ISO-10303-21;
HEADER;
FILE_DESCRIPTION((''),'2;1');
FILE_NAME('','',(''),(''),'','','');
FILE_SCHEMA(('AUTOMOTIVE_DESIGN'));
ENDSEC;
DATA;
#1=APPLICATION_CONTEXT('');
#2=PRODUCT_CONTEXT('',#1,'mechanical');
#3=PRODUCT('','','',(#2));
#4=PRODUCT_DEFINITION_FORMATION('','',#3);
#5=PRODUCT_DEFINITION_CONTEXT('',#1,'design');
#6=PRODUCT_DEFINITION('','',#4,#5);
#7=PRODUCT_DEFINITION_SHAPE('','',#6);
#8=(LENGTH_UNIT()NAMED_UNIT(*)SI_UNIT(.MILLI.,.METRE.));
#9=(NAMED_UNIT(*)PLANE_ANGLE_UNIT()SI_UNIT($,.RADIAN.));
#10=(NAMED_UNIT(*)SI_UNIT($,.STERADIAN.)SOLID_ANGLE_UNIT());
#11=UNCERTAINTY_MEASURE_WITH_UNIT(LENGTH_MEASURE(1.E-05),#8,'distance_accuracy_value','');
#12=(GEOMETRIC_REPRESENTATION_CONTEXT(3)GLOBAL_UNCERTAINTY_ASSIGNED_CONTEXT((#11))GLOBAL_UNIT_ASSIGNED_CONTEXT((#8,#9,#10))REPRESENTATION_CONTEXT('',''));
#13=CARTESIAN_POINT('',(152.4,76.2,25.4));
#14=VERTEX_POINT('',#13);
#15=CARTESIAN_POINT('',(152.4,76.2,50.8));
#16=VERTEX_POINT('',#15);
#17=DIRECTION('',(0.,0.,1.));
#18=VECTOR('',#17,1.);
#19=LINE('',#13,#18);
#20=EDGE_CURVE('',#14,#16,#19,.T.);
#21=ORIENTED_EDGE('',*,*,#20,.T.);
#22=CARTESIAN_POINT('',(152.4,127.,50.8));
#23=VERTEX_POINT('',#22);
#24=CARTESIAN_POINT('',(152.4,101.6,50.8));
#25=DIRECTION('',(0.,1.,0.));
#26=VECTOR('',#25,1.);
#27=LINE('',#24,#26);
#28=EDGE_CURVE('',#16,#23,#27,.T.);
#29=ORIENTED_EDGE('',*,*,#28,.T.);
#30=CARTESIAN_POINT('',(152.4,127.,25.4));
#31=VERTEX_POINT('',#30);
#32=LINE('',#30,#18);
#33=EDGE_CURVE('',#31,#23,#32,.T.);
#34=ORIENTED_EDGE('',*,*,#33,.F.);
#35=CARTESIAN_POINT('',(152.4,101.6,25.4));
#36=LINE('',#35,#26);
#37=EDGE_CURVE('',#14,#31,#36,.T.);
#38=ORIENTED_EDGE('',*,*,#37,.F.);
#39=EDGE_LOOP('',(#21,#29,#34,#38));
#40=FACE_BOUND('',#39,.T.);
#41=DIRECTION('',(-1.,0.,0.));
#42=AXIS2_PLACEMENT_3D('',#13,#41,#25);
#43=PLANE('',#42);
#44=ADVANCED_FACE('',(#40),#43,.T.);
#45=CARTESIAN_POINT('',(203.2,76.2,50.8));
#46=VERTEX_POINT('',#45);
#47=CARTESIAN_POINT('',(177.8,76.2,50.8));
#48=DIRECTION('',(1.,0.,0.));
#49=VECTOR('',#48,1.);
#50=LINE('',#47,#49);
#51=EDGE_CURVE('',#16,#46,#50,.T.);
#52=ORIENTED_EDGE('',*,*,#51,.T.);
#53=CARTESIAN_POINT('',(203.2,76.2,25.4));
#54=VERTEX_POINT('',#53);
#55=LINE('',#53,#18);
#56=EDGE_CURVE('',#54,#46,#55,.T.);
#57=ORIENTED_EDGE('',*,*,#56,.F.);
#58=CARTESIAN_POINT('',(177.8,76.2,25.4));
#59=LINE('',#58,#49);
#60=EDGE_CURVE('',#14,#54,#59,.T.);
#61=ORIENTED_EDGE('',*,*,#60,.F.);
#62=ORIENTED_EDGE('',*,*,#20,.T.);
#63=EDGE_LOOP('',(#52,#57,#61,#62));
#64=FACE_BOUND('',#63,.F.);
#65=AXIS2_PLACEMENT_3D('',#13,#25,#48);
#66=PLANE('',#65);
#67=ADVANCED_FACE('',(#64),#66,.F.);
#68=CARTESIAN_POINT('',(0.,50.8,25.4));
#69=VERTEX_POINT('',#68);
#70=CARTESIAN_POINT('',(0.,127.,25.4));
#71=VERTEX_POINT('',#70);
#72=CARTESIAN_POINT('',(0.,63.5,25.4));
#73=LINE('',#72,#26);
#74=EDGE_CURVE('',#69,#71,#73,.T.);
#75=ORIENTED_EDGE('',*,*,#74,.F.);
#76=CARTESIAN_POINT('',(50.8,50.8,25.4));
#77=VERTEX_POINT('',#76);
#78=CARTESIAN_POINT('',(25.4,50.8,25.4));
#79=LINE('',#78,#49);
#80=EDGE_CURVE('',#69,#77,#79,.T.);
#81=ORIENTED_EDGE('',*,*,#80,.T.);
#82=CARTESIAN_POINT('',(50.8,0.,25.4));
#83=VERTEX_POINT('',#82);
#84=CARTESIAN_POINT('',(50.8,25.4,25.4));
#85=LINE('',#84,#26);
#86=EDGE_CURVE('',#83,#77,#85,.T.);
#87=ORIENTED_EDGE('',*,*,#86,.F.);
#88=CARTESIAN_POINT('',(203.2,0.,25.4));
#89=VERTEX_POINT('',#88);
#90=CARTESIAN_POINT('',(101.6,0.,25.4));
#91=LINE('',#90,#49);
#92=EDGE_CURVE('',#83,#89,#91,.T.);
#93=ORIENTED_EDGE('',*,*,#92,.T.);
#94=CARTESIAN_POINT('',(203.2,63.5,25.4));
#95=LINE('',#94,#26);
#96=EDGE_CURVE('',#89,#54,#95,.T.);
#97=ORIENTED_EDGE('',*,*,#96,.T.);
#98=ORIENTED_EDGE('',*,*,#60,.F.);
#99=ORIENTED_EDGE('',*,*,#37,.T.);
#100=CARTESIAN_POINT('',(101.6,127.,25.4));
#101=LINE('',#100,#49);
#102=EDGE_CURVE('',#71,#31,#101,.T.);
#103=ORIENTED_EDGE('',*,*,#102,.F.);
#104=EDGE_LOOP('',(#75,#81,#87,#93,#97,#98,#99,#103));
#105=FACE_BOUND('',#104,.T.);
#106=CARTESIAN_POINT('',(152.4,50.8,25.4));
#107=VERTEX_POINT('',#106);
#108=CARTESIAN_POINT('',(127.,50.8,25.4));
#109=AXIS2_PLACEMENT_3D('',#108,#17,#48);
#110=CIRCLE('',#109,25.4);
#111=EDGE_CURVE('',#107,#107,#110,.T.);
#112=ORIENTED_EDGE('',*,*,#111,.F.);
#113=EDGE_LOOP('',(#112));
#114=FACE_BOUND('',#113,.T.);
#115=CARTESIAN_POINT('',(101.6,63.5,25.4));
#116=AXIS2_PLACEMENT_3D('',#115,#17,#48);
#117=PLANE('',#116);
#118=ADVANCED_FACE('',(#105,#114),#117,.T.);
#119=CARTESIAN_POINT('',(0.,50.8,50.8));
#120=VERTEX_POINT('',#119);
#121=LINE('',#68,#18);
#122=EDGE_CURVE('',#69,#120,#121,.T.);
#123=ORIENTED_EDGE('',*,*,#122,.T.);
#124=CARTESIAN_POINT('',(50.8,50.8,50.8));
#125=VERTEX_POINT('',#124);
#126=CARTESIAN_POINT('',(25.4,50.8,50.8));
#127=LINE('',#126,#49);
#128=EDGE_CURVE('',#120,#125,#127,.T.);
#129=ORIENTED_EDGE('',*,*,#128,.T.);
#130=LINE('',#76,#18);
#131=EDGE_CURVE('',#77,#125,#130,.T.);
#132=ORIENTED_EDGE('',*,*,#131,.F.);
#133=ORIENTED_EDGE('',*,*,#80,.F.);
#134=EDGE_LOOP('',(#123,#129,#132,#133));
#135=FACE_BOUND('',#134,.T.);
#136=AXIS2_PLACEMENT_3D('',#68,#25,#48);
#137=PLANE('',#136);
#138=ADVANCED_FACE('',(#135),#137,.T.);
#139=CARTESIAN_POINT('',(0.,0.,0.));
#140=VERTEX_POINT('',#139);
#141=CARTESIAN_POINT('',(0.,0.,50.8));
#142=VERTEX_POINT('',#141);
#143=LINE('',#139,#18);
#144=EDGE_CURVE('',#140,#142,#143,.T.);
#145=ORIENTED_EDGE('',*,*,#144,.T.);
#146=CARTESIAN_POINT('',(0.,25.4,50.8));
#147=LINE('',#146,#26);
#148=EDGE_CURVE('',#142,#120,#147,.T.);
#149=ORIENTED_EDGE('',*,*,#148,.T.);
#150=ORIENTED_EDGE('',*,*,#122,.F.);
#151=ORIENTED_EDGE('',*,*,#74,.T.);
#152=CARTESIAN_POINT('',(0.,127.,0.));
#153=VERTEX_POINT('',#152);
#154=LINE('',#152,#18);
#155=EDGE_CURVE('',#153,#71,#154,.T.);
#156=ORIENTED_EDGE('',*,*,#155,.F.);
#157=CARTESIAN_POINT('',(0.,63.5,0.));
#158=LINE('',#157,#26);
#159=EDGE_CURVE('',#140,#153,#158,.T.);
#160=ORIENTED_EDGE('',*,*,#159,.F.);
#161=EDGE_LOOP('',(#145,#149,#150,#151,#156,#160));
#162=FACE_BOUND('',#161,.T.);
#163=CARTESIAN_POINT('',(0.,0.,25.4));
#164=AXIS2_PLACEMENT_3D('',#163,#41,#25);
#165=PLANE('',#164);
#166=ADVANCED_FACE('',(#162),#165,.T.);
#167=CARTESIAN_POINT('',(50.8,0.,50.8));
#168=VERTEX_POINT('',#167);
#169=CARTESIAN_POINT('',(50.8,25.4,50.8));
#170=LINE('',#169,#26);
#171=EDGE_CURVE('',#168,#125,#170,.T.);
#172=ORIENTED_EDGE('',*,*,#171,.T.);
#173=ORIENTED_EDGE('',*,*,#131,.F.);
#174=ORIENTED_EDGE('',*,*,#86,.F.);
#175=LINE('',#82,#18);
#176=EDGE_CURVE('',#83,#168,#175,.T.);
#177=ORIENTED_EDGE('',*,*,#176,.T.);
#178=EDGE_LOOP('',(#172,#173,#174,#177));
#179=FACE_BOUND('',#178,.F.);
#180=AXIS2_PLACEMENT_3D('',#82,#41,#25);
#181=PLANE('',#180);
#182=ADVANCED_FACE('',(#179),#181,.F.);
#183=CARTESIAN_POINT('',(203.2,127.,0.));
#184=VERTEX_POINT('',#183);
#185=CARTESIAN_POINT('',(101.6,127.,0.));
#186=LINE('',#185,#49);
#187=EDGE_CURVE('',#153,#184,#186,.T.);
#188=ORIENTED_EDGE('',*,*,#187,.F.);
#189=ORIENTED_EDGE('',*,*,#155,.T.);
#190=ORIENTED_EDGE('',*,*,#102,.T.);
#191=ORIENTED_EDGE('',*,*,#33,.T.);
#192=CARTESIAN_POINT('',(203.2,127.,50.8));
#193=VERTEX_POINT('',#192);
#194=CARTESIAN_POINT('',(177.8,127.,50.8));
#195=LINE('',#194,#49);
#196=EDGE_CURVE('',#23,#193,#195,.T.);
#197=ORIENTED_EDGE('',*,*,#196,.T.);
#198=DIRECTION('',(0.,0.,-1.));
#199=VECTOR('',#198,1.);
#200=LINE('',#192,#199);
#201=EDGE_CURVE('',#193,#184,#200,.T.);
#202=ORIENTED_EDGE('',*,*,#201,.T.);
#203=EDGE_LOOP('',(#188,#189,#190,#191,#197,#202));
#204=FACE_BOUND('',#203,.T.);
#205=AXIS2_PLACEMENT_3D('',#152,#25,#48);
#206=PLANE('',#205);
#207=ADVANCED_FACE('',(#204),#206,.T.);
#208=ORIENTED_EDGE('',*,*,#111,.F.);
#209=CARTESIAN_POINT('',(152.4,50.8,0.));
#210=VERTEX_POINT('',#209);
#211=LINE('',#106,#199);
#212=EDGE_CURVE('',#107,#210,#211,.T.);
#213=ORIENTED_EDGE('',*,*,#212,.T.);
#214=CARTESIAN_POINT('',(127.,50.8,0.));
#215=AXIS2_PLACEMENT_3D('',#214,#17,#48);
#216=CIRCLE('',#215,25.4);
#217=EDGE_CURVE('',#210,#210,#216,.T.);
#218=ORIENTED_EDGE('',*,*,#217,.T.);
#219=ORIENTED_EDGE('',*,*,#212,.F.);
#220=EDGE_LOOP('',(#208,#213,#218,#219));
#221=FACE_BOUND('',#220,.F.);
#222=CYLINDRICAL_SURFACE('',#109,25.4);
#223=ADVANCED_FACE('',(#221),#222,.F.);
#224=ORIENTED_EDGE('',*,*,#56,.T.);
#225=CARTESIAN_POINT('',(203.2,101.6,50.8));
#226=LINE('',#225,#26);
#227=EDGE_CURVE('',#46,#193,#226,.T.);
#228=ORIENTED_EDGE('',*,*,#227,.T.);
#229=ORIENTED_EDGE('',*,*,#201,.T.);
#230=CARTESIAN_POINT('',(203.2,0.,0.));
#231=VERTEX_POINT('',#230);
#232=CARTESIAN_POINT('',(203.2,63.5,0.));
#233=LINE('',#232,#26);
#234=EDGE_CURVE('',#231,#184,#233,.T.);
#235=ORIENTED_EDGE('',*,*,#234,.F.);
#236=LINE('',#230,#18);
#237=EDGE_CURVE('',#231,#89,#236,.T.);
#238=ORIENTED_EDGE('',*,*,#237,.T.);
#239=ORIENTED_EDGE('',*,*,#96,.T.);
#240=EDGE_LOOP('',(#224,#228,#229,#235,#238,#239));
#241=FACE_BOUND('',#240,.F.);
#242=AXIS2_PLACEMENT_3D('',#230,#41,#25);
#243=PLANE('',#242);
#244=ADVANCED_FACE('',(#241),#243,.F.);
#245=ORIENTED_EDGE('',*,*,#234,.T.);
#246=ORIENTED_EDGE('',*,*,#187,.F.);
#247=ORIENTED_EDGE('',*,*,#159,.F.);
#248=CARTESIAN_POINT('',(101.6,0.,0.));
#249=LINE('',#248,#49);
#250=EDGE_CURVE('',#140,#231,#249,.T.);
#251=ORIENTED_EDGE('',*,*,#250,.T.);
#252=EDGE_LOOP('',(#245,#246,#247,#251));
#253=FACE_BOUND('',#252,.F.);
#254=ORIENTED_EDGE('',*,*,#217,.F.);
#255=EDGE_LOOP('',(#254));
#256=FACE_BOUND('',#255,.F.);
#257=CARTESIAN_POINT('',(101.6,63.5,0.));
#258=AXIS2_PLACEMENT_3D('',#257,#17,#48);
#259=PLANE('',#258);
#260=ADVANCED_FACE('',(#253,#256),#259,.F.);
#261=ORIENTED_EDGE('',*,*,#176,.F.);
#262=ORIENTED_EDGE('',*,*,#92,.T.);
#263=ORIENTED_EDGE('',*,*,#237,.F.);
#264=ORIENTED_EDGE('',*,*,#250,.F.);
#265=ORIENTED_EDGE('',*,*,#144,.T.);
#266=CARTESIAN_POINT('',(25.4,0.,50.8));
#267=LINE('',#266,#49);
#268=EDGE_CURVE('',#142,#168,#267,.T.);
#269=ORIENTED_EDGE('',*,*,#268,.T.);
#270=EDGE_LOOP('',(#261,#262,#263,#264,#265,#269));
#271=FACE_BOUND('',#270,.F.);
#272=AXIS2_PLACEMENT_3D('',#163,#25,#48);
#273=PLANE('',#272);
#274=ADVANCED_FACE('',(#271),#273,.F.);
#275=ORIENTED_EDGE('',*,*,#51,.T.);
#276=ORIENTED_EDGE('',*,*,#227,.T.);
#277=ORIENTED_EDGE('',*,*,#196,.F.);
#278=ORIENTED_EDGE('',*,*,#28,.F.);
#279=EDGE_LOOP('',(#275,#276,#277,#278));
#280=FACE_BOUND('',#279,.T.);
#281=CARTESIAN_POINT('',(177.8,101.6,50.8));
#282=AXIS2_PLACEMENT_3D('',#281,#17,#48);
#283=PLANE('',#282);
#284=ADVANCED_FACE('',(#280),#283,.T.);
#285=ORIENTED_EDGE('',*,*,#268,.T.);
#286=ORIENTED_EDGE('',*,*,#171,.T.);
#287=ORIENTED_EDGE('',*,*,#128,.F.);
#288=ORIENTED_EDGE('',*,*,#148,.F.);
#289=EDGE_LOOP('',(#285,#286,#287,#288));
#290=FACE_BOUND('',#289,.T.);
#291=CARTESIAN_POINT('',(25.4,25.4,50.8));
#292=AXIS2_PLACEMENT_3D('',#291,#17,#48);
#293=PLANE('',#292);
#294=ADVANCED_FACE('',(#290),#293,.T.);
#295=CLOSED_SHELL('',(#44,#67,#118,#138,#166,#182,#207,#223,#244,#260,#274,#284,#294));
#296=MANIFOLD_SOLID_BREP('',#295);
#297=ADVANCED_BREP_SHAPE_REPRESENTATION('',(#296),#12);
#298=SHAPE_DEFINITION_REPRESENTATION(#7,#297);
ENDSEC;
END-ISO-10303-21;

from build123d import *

# Parameters (mm, degrees)
F0_W     = 203.2
F0_H     = 127
F1_DEPTH = 25.4
F2_W     = 50.8
F2_H     = 50.8
F3_DEPTH = 25.4
F4_R     = 25.4
F5_DEPTH = 25.401


with BuildPart() as f1:
    # F0 (on Top) → F1 (new body)
    with BuildSketch(Plane.XY):
        with Locations((101.6, 63.5)):
            Rectangle(F0_W, F0_H)
    extrude(amount=F1_DEPTH)

    # F2 (on face) → F3 (join)
    with BuildSketch(Plane.XY.offset(25.4)):
        with Locations((25.4, 25.4)):
            Rectangle(F2_W, F2_H)
        with Locations((177.8, 101.6)):
            Rectangle(F2_W, F2_H)
    extrude(amount=F3_DEPTH)

    # F4 (on face) → F5 (cut, through all)
    with BuildSketch(Plane.XY.offset(25.4)):
        with Locations((127, 50.8)):
            Circle(F4_R)
    extrude(amount=-F5_DEPTH, mode=Mode.SUBTRACT)


solid = f1.part
